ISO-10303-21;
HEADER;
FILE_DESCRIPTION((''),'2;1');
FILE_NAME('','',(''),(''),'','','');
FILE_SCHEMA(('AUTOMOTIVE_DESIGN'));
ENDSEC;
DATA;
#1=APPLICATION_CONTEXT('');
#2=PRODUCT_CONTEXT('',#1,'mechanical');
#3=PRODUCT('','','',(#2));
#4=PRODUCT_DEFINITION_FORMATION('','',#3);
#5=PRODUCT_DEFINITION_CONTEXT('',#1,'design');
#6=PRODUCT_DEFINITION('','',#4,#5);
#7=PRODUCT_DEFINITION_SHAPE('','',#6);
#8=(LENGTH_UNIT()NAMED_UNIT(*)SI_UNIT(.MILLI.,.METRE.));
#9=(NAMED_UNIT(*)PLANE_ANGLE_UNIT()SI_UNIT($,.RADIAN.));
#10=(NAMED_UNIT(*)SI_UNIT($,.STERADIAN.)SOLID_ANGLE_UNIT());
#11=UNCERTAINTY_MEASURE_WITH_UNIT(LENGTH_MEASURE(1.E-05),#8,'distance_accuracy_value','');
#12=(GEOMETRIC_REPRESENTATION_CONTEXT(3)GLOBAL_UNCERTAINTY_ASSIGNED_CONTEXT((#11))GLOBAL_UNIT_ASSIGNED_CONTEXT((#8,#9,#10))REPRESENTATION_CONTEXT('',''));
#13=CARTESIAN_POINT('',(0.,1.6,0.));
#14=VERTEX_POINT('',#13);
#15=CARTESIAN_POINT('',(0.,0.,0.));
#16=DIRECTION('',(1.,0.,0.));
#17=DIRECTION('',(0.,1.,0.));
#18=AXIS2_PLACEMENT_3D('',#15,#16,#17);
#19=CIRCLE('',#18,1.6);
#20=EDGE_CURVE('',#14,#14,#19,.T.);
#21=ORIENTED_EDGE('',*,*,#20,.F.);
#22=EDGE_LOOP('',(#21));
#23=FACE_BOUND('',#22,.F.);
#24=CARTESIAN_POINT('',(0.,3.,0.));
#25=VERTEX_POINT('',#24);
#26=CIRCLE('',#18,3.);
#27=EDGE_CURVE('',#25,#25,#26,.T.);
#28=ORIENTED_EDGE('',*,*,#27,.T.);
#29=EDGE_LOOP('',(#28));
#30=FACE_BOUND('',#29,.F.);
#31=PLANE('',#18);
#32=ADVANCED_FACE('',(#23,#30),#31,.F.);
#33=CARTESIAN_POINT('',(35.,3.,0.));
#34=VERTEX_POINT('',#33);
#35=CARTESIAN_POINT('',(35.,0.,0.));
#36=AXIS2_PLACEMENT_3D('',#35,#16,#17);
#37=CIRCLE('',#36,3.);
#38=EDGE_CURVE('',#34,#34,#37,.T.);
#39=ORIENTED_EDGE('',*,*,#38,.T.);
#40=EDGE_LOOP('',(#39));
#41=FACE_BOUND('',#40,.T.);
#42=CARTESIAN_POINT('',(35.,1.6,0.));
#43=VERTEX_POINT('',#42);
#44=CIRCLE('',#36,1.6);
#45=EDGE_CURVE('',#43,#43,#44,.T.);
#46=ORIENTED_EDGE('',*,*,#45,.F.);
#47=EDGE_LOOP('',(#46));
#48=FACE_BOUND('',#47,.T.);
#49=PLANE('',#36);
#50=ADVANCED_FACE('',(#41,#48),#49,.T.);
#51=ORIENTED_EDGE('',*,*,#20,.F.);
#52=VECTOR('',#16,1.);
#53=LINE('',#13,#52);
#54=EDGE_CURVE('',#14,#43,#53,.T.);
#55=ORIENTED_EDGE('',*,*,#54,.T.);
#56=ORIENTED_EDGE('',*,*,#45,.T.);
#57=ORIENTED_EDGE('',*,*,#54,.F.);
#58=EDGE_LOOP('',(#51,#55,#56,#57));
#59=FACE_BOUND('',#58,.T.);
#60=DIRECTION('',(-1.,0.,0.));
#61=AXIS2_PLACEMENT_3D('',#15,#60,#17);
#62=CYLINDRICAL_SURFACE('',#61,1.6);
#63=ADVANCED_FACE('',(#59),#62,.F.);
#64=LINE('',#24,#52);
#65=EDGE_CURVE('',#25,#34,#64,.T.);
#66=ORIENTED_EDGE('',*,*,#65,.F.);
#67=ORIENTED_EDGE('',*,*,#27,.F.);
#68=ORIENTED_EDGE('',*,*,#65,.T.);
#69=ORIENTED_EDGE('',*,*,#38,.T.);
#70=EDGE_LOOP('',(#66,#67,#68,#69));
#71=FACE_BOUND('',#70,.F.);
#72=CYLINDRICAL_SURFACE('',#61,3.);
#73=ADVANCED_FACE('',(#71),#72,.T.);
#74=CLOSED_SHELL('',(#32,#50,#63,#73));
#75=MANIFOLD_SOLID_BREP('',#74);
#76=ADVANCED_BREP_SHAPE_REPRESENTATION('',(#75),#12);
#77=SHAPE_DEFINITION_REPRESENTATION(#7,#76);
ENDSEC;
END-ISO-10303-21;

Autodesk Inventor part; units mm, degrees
ref_plane "YZ Plane" through (0, 0, 0) normal (1, 0, 0) x (0, 1, 0)
ref_plane "XZ Plane" through (0, 0, 0) normal (0, 1, 0) x (-1, 0, 0)
ref_plane "XY Plane" through (0, 0, 0) normal (0, 0, 1) x (1, 0, 0)
sketch "スケッチ1" plane through (0, 0, 0) normal (1, 0, 0) x (0, 1, 0)
  circle A0 centre (0, 0) radius 3
  circle A1 centre (0, 0) radius 1.6
  dimension "d0" = 6
  dimension "d1" = 3.2
extrude "押し出し1" add sketch "スケッチ1" along normal blind 35
properties material "アルミニウム 6061"
